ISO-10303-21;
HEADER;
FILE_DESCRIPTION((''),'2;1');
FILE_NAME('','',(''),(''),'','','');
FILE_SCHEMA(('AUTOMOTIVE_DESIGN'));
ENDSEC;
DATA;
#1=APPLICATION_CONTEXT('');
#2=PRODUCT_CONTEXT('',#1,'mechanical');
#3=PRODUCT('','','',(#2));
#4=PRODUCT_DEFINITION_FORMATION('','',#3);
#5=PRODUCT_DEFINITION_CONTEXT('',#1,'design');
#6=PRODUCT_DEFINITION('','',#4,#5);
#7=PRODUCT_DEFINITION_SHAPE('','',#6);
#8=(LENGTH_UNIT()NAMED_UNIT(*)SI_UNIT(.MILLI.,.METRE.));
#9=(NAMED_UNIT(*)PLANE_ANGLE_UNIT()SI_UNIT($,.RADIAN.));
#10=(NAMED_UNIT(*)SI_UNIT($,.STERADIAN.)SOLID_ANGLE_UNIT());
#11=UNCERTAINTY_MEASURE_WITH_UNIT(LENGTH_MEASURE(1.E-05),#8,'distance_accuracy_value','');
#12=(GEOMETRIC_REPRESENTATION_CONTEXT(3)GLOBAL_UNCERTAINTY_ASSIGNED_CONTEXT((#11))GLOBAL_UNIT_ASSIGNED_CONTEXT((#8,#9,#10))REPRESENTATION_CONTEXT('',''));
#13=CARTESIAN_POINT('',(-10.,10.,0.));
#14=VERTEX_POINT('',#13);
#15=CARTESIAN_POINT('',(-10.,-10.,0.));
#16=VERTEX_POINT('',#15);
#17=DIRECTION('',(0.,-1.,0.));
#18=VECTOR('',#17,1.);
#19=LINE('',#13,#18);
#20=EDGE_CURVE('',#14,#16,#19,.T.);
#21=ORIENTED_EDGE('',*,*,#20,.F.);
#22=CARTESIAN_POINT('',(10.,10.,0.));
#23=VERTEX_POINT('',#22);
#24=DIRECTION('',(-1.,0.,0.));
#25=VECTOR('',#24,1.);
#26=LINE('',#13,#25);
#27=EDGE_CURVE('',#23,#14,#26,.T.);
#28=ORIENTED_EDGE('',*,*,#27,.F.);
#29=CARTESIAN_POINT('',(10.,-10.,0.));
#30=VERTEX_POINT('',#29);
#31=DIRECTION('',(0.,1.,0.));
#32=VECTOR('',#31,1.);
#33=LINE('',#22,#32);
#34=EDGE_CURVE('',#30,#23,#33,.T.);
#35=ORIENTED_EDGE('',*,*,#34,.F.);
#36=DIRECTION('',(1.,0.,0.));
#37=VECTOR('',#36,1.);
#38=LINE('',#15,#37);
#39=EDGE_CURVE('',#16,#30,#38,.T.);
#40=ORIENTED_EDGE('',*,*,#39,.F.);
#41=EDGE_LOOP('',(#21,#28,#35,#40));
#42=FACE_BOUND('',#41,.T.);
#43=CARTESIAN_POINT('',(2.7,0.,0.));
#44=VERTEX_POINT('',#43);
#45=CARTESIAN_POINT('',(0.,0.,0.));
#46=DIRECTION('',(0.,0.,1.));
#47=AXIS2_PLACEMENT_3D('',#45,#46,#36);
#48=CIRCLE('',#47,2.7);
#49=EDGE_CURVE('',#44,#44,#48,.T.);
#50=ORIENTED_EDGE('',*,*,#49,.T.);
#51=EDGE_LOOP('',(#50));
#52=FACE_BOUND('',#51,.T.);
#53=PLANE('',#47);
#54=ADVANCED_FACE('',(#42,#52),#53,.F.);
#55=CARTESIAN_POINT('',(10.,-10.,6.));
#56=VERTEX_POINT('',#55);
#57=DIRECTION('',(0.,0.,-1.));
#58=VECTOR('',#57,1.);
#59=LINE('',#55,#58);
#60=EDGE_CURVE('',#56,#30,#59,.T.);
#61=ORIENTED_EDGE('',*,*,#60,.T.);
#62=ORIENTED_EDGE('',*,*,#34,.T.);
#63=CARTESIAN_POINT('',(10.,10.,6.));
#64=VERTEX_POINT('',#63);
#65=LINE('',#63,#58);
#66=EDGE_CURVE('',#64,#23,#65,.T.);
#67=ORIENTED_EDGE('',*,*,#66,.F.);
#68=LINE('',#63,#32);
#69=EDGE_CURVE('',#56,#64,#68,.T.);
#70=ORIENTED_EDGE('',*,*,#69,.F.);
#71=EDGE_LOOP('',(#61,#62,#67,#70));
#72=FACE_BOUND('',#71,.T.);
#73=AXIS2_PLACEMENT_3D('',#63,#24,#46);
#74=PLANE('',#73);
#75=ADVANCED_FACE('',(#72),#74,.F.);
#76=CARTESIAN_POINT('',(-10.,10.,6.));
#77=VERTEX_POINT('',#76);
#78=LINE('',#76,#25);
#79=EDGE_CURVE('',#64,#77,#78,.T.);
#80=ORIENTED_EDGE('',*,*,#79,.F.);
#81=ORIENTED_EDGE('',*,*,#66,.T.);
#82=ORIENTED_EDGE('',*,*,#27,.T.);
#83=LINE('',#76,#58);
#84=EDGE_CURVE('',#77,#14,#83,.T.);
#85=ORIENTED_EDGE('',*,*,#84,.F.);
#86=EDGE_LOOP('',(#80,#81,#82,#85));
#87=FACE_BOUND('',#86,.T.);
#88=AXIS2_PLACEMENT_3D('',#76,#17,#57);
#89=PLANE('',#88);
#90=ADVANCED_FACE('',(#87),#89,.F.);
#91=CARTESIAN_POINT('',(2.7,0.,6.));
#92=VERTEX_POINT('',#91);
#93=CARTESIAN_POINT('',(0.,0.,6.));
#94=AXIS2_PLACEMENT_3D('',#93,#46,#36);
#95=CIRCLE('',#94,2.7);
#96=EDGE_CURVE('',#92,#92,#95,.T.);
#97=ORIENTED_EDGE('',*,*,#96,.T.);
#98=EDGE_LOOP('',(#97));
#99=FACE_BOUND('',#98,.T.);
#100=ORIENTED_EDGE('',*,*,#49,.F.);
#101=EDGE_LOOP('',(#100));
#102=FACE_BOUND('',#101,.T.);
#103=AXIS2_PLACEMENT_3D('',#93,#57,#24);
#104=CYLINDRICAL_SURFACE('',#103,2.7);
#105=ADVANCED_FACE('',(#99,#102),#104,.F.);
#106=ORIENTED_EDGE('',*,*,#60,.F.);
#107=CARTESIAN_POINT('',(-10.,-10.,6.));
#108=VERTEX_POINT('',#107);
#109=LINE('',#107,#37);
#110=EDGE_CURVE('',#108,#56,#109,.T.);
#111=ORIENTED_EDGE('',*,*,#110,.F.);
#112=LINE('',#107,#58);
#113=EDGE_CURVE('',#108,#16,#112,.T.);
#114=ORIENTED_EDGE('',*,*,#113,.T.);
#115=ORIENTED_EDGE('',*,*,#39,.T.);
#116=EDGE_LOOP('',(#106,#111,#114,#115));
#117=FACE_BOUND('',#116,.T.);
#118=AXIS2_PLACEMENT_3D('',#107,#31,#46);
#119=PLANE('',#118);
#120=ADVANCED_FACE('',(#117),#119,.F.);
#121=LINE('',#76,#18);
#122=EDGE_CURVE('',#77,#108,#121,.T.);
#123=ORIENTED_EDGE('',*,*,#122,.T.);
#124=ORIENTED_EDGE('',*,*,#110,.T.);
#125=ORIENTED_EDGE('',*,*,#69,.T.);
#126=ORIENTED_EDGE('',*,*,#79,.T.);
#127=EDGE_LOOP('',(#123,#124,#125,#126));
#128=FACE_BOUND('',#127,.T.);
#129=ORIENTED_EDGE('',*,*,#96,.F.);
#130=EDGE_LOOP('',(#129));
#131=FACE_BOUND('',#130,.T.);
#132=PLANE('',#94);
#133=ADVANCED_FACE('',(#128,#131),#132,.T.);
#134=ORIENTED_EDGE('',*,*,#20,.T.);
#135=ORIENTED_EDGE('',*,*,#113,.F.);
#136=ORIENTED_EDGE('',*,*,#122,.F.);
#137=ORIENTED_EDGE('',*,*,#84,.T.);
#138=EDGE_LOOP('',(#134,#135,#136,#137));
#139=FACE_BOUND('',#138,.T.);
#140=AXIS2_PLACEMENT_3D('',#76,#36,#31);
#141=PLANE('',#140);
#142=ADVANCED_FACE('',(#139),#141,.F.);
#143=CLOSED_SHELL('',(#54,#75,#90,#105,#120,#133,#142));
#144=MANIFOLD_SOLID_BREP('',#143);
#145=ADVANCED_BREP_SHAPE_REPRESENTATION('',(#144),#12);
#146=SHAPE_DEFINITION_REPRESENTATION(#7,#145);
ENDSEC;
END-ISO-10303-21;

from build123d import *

# Parameters (mm, degrees)
SKETCH1_W           = 20
SKETCH1_H           = 20
SKETCH1_R           = 2.7
BOSS_EXTRUDE1_DEPTH = 6


with BuildPart() as part:
    # Sketch1 → Boss-Extrude1 (new body)
    with BuildSketch(Plane.XY):
        Rectangle(SKETCH1_W, SKETCH1_H)
        Circle(SKETCH1_R, mode=Mode.SUBTRACT)
    extrude(amount=BOSS_EXTRUDE1_DEPTH)


solid = part.part
